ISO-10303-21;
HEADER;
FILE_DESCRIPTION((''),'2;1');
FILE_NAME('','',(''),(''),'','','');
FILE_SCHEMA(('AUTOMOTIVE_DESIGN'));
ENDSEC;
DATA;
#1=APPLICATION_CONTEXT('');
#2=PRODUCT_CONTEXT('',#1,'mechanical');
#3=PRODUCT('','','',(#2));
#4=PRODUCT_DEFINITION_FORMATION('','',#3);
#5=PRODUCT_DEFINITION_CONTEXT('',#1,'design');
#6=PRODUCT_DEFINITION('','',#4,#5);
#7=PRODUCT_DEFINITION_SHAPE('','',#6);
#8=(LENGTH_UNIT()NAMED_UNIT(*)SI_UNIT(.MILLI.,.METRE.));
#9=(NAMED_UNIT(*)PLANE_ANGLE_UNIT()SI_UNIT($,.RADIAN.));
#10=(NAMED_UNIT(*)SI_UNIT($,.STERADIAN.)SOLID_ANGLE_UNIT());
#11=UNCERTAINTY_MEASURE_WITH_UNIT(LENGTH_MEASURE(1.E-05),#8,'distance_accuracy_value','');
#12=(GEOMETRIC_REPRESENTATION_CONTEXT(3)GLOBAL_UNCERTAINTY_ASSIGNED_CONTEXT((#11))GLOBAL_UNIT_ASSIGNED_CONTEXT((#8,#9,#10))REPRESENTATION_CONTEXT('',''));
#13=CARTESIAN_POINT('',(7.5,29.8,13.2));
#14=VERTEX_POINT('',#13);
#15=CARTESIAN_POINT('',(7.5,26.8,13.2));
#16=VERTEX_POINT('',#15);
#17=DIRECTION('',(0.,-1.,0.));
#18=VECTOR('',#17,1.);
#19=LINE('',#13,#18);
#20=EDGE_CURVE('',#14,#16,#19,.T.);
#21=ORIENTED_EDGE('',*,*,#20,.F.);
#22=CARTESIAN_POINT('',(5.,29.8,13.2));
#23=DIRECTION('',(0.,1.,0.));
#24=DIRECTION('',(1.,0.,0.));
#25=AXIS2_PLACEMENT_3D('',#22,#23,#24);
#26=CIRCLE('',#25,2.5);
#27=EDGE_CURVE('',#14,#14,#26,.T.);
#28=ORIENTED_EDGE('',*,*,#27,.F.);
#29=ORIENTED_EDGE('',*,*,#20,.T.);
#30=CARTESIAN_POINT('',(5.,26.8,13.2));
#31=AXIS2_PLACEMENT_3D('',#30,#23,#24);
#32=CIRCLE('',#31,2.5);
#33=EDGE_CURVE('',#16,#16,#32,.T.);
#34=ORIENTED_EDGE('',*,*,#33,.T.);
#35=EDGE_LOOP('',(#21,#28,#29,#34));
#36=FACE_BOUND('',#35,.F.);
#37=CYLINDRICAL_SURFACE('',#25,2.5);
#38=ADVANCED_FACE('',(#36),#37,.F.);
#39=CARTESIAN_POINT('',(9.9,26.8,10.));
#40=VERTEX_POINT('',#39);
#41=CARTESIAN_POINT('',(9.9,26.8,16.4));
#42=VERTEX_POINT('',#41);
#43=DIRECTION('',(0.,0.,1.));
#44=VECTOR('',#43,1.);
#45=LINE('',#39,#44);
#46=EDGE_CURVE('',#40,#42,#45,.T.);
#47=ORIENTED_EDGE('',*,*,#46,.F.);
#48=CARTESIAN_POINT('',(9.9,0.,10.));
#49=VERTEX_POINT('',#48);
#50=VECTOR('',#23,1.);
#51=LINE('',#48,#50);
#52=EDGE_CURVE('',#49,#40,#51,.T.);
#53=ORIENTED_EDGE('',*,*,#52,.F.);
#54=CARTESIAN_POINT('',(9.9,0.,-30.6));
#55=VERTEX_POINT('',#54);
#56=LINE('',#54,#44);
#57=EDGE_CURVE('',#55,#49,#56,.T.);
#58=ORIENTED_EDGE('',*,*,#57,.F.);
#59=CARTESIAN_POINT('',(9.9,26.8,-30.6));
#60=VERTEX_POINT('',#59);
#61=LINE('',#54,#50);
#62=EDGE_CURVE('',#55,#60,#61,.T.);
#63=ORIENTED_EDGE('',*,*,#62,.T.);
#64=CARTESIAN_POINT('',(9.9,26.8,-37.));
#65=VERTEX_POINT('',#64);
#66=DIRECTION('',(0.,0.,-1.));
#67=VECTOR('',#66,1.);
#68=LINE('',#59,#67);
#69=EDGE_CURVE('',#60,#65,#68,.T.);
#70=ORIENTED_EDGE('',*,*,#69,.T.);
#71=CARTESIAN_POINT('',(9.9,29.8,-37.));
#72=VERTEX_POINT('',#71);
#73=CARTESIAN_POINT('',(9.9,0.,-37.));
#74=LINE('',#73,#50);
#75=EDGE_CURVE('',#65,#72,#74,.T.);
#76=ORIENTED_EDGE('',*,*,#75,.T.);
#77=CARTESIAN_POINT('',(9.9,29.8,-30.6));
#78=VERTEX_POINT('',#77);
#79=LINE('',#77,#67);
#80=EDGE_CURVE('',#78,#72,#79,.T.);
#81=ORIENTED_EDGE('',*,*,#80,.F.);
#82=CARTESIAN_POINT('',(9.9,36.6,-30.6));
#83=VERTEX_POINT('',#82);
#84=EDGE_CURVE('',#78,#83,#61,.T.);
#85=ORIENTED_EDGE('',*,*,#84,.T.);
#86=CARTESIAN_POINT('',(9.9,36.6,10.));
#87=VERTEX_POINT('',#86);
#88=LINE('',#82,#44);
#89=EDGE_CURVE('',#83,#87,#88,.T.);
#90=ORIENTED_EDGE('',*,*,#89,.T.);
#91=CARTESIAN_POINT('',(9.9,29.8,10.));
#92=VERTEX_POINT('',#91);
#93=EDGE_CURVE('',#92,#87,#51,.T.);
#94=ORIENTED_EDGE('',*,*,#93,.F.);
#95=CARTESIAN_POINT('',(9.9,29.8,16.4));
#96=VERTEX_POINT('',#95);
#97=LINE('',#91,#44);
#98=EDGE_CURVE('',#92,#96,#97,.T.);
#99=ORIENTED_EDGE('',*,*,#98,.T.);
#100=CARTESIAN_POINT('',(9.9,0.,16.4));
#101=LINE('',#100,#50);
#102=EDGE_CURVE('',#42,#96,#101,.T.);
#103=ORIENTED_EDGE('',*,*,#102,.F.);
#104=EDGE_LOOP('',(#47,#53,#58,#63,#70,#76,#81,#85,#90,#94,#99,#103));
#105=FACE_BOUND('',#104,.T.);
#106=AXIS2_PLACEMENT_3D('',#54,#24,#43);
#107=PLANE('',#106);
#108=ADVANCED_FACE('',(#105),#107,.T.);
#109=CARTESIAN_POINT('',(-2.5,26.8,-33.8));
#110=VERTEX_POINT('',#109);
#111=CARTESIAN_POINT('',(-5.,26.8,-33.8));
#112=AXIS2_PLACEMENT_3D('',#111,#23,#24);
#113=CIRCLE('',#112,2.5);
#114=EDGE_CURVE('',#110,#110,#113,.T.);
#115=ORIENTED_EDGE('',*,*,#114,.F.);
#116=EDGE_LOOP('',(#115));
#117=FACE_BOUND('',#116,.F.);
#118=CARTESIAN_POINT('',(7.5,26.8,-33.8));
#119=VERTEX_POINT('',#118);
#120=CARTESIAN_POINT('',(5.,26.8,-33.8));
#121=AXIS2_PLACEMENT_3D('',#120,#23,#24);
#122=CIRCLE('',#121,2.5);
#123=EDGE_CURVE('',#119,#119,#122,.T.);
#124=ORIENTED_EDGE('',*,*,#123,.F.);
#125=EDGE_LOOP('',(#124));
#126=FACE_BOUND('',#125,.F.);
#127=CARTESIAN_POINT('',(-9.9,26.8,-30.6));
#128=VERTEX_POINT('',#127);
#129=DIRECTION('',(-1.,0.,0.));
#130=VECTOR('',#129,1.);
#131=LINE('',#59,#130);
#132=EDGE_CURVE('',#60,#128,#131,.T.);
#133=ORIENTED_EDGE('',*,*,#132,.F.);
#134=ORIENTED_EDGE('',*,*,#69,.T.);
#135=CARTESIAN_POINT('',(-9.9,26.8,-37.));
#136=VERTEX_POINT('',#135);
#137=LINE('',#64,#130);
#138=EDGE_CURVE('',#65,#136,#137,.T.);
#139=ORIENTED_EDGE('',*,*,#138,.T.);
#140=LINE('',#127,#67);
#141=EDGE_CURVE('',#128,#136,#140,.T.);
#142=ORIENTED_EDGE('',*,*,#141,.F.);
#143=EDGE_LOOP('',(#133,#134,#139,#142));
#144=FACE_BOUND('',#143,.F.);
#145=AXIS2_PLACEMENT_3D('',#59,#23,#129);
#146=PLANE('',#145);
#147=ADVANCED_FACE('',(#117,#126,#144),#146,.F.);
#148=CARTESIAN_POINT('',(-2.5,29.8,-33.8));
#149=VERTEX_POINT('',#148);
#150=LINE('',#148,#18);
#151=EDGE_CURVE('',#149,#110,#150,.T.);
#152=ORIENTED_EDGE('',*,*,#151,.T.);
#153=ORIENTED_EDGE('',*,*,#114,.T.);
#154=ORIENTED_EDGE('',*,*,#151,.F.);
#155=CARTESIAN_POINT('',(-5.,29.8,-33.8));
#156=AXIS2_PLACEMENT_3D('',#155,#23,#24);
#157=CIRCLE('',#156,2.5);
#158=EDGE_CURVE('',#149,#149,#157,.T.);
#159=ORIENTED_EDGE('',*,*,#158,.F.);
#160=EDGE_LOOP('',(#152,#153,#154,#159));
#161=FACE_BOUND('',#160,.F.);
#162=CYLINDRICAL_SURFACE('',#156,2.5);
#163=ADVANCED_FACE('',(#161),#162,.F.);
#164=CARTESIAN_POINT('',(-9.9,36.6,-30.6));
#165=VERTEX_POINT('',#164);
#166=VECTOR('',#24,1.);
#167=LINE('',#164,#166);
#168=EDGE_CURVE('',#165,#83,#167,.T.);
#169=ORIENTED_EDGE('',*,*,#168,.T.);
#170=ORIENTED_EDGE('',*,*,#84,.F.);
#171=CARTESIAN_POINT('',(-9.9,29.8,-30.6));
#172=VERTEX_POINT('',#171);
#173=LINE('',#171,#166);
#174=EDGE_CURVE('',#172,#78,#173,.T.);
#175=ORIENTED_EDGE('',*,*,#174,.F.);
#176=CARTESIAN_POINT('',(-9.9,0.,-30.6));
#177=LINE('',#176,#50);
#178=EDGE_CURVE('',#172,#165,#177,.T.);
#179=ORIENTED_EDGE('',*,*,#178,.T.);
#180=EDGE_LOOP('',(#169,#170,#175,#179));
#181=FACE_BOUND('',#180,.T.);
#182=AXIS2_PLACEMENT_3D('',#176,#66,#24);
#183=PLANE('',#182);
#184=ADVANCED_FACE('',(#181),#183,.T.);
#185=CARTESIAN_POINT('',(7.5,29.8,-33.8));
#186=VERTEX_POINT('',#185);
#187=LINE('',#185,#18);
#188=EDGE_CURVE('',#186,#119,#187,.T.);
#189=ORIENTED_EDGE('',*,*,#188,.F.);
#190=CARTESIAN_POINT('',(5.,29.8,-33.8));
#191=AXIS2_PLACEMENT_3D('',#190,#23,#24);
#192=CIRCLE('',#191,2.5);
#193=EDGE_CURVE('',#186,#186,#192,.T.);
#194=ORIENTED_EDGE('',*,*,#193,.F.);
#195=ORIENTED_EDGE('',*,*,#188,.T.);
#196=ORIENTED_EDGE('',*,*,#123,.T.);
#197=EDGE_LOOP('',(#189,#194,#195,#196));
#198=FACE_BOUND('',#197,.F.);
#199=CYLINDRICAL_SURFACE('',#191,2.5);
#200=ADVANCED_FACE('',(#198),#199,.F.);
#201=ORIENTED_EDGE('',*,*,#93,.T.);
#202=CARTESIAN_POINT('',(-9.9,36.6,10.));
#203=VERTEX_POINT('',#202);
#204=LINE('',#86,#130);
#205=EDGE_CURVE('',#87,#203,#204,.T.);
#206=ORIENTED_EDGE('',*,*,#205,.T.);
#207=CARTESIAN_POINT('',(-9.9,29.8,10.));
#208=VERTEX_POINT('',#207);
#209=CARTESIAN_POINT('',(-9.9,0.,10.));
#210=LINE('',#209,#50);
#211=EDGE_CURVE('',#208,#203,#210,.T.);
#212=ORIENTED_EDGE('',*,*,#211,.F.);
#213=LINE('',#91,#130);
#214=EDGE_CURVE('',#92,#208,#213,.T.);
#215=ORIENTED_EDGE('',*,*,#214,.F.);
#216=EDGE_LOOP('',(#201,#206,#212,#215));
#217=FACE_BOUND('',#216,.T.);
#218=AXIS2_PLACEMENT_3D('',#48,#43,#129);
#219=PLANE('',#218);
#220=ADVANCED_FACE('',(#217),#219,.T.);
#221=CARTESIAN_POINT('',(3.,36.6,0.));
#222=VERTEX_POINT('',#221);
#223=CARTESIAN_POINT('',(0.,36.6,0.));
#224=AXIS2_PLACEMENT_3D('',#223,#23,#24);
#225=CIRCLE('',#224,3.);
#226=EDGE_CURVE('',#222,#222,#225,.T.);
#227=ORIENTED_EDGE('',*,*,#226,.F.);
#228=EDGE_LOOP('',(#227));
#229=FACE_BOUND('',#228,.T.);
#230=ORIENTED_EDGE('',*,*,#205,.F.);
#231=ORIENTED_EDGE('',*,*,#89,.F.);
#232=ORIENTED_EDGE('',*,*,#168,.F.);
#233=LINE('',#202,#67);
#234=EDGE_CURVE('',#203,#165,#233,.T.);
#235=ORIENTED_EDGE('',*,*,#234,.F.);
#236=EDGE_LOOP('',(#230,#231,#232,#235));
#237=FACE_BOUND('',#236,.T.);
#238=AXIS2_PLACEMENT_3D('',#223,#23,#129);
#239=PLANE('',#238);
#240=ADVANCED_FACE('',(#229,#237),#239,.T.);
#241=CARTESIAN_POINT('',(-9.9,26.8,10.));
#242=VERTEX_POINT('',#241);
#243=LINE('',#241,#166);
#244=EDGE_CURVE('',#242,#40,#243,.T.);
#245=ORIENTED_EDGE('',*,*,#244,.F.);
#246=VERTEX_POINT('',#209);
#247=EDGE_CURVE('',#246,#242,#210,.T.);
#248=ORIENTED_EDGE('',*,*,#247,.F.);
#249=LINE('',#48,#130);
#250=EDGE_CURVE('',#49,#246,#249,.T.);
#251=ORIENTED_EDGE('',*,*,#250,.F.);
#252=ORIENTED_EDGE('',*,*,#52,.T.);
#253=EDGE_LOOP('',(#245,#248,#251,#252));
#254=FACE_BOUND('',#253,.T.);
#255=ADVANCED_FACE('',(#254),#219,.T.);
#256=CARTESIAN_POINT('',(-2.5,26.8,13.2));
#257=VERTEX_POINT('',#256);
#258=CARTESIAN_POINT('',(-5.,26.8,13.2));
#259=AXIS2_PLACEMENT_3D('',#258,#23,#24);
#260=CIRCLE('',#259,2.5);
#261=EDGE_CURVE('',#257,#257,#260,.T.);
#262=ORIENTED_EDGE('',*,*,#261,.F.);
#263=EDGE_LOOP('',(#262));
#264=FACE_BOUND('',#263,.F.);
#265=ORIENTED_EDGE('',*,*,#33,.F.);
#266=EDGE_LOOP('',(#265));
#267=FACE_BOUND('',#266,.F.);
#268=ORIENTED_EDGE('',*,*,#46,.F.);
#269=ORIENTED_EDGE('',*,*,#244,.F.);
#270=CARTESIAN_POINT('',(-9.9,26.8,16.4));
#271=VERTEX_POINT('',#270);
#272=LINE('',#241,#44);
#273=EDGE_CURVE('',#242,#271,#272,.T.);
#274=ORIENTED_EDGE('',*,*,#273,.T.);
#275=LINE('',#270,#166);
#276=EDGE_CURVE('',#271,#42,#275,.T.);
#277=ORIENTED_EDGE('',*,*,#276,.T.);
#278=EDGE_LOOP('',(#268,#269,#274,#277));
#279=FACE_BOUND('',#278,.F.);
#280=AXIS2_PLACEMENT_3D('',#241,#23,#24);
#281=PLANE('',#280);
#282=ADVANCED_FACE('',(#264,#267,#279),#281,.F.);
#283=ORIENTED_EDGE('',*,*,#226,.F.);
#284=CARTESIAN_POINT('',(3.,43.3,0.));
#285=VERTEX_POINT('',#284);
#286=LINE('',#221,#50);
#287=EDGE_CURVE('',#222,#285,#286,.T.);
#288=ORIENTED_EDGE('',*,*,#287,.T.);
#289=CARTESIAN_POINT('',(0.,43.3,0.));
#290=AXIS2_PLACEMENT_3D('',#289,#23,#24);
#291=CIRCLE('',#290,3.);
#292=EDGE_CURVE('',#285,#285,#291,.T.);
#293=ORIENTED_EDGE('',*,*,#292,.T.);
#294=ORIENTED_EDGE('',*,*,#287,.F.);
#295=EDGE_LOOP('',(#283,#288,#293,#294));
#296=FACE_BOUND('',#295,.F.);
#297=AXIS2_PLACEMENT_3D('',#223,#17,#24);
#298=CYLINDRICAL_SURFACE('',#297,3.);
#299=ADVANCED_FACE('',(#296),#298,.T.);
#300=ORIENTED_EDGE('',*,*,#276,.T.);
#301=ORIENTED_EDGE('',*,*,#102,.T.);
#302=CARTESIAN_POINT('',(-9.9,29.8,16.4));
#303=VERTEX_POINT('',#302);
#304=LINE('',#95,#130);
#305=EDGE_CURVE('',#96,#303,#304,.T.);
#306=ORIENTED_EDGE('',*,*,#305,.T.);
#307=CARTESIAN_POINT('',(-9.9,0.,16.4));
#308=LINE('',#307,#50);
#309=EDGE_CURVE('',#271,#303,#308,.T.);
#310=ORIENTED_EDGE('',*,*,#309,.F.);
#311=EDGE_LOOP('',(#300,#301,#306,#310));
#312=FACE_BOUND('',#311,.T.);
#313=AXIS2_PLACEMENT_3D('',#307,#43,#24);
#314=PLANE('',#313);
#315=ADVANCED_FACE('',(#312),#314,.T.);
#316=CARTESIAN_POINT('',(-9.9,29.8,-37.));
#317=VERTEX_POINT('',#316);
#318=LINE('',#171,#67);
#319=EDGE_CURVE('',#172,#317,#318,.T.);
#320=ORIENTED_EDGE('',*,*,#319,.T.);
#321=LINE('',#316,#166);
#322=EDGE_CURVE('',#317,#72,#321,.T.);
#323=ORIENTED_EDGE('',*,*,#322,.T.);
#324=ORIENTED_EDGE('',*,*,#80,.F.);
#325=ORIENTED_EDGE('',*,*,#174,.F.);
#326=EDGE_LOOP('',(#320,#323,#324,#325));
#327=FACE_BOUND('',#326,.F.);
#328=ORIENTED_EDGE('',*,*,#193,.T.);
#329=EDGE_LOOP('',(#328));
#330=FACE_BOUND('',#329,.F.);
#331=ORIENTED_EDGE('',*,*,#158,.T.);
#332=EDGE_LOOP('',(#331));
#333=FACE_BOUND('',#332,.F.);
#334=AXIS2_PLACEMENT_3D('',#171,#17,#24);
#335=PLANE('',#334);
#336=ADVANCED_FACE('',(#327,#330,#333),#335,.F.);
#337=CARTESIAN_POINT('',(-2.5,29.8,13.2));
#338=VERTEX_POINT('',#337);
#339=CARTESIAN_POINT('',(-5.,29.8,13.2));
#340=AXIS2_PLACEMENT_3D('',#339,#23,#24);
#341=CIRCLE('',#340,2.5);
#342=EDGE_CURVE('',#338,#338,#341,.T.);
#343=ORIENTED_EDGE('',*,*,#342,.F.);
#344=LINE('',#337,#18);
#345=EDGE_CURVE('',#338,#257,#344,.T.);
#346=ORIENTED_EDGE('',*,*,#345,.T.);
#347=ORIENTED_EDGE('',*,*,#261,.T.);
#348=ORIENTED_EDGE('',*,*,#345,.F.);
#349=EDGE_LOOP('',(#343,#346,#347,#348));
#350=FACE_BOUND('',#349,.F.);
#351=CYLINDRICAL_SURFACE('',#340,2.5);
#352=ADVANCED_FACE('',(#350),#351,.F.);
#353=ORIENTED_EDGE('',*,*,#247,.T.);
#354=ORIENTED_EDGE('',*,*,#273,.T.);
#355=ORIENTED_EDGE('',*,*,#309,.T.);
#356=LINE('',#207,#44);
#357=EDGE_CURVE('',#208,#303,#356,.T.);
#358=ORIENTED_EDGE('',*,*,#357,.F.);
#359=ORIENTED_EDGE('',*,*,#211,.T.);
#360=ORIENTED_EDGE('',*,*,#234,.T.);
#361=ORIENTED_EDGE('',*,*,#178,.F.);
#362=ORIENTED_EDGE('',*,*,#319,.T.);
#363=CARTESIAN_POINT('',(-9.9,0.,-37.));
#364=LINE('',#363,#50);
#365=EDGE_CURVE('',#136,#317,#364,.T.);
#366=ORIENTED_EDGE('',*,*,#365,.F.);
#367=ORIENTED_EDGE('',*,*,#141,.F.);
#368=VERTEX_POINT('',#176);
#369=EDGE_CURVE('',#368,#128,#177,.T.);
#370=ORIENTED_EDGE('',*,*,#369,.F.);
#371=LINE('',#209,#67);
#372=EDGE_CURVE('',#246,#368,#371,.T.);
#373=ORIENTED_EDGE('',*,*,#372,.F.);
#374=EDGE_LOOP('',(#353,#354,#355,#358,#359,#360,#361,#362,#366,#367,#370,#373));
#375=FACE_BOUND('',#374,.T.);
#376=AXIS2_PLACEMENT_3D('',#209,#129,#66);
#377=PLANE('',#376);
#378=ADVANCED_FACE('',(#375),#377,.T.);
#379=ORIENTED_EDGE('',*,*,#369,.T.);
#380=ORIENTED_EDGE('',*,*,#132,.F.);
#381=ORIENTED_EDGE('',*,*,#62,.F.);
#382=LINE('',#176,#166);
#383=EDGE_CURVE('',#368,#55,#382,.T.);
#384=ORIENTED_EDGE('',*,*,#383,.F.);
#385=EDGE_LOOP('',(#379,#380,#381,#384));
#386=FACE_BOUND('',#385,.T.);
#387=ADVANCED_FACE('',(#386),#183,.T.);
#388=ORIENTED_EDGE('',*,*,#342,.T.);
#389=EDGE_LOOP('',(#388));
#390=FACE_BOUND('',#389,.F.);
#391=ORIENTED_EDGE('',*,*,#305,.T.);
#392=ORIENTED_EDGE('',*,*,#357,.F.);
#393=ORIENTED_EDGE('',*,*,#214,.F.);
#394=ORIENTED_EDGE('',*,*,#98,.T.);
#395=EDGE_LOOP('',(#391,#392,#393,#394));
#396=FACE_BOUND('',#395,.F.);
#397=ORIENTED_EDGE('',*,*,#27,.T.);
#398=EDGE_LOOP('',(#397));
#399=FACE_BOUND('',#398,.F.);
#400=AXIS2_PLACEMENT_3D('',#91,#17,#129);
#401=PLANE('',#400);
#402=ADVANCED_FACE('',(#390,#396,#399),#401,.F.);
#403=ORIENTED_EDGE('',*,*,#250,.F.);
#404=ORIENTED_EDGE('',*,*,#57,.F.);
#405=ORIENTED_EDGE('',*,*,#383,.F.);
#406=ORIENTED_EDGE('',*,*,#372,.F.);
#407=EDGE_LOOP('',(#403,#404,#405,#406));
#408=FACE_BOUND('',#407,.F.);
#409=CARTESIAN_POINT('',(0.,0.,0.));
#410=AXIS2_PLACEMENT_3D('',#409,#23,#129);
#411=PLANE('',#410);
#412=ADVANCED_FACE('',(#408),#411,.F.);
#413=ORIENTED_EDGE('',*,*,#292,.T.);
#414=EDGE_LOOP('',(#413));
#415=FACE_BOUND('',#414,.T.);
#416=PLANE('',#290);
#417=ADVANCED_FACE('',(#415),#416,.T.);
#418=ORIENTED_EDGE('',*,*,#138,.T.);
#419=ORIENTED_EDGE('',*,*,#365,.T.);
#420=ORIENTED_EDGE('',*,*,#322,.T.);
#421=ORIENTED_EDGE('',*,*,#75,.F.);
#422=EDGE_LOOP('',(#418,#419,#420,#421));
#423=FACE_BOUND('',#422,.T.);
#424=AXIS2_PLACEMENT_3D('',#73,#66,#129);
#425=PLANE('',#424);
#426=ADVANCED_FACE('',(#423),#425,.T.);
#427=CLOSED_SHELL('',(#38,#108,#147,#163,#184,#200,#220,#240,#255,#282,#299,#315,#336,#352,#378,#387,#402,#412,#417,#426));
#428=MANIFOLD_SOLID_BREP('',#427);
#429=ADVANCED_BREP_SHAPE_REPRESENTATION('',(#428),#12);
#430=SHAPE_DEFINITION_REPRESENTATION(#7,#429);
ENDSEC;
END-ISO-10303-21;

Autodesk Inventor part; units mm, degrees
ref_plane "YZ Plane" through (0, 0, 0) normal (1, 0, 0) x (0, 1, 0)
ref_plane "XZ Plane" through (0, 0, 0) normal (0, 1, 0) x (-1, 0, 0)
ref_plane "XY Plane" through (0, 0, 0) normal (0, 0, 1) x (1, 0, 0)
sketch "servo_base" plane through (0, 0, 0) normal (0, 1, 0) x (-1, 0, 0)
  line L0 (-9.9, 10) -> (9.9, 10)
  line L1 (9.9, 10) -> (9.9, -30.6)
  line L2 (9.9, -30.6) -> (-9.9, -30.6)
  line L3 (-9.9, -30.6) -> (-9.9, 10)
  point P0 (0, 0)
  dimension "length" = 40.6
  dimension "width" = 19.8
  dimension "axe_dist" = 10
  dimension "d3" = 9.9
extrude "servo_body" add sketch "servo_base" along normal blind 36.6
sketch "handle1_base" plane through (-9.9, 0, 10) normal (0, 0, 1) x (1, 0, 0)
  line L0 (19.8, 0) -> (0, 0) projected
  line L1 (19.8, 0) -> (19.8, 36.6) projected
  line L2 (0, 0) -> (0, 36.6) projected
  line L3 (0, 26.8) -> (19.8, 26.8)
  line L4 (19.8, 26.8) -> (19.8, 29.8)
  line L5 (19.8, 29.8) -> (0, 29.8)
  line L6 (0, 29.8) -> (0, 26.8)
  point P0 (9.9, 0)
  dimension "handle_height" = 26.8
  dimension "handle_thickness" = 3
extrude "handle1" add sketch "handle1_base" along normal blind 6.4 contours L3 L2 L5 L1
sketch "handle2_base" plane through (9.9, 0, -30.6) normal (0, 0, -1) x (-1, 0, 0)
  line L0 (19.8, 0) -> (0, 0) projected
  line L1 (19.8, 0) -> (19.8, 36.6) projected
  line L2 (0, 0) -> (0, 36.6) projected
  line L3 (0, 26.8) -> (19.8, 26.8)
  line L4 (19.8, 26.8) -> (19.8, 29.8)
  line L5 (19.8, 29.8) -> (0, 29.8)
  line L6 (0, 29.8) -> (0, 26.8)
  point P0 (9.9, 0)
  dimension "d10" = 26.8
  dimension "d11" = 3
extrude "handle2" add sketch "handle2_base" along normal blind 6.4 contours L3 L2 L5 L1
sketch "hole1_right_base" plane through (-9.9, 29.8, 10) normal (0, 1, 0) x (1, 0, 0)
  line L0 (19.8, -6.4) -> (0, -6.4) projected
  line L1 (19.8, 0) -> (19.8, -6.4) projected
  line L2 (0, 0) -> (9.9, 0)
  line L3 (9.9, 0) -> (9.9, -6.4)
  line L4 (9.9, -6.4) -> (0, -6.4)
  line L5 (0, -6.4) -> (0, 0)
  circle A0 centre (4.9, -3.2) radius 2.5
  point P0 (9.9, 10)
  dimension "d14" = 9.9
  dimension "hole_dist" = 5
  dimension "d16" = 3.2
  dimension "hole_diameter" = 5
extrude "hole1_rigth" cut sketch "hole1_right_base" against normal up to next contours A0
sketch "hole1_left_base" plane through (-9.9, 29.8, 10) normal (0, 1, 0) x (1, 0, 0)
  line L0 (0, 0) -> (0, -6.4) projected
  line L1 (19.8, -6.4) -> (0, -6.4) projected
  line L2 (19.8, 0) -> (9.9, 0)
  line L3 (9.9, 0) -> (9.9, -6.4)
  line L4 (9.9, -6.4) -> (19.8, -6.4)
  line L5 (19.8, -6.4) -> (19.8, 0)
  circle A0 centre (14.9, -3.2) radius 2.5
  point P0 (9.9, 10)
  dimension "d20" = 9.9
  dimension "d21" = 3.2
  dimension "d22" = 5
  dimension "d23" = 5
extrude "hole1_left" cut sketch "hole1_left_base" against normal up to next contours A0
sketch "hole2_right_base" plane through (-9.9, 29.8, -30.6) normal (0, 1, 0) x (1, 0, 0)
  line L0 (19.8, 0) -> (0, 0) projected
  line L1 (19.8, 0) -> (19.8, 6.4) projected
  line L2 (0, 6.4) -> (19.8, 6.4) projected
  line L3 (0, 6.4) -> (9.9, 6.4)
  line L4 (9.9, 6.4) -> (9.9, 0)
  line L5 (9.9, 0) -> (0, 0)
  line L6 (0, 0) -> (0, 6.4)
  circle A0 centre (4.9, 3.2) radius 2.5
  point P0 (9.9, -30.6)
  dimension "d26" = 9.9
  dimension "d27" = 5
  dimension "d28" = 3.2
  dimension "d29" = 5
extrude "hole2_right" cut sketch "hole2_right_base" against normal up to next contours A0
sketch "hole2_left_base" plane through (-9.9, 29.8, -30.6) normal (0, 1, 0) x (1, 0, 0)
  line L0 (19.8, 0) -> (0, 0) projected
  line L1 (0, 6.4) -> (19.8, 6.4) projected
  line L2 (0, 0) -> (0, 6.4) projected
  line L3 (19.8, 6.4) -> (9.9, 6.4)
  line L4 (9.9, 6.4) -> (9.9, 0)
  line L5 (9.9, 0) -> (19.8, 0)
  line L6 (19.8, 0) -> (19.8, 6.4)
  circle A0 centre (14.9, 3.2) radius 2.5
  point P0 (9.9, -30.6)
  dimension "d32" = 9.9
  dimension "d33" = 5
  dimension "d34" = 5
  dimension "d35" = 3.2
extrude "hole2_left" cut sketch "hole2_left_base" against normal up to next contours A0
sketch "axe_base" plane through (0, 36.6, 0) normal (0, 1, 0) x (1, 0, 0)
  circle A0 centre (0, 0) radius 3
  line L0 (-9.9, -10) -> (9.9, -10) projected
  line L1 (0, 0) -> (0, -10) construction
  dimension "axe_diameter" = 6
  dimension "d41" = 10
extrude "axe" add sketch "axe_base" along normal blind 6.7
equation "\"d3\" = 0.5 * width"
equation "\"d10\" = handle_height"
equation "\"d11\" = handle_thickness"
equation "\"d12\" = handle_length"
equation "\"d14\" = 0.5 * width"
equation "\"d16\" = 0.5 * handle_length"
equation "\"d18\" = handle_length"
equation "\"d20\" = 0.5 * width"
equation "\"d21\" = 0.5 * handle_length"
equation "\"d22\" = hole_dist"
equation "\"d23\" = hole_diameter"
equation "\"d24\" = handle_length"
equation "\"d26\" = 0.5 * width"
equation "\"d27\" = hole_dist"
equation "\"d28\" = 0.5 * handle_length"
equation "\"d29\" = hole_diameter"
equation "\"d30\" = handle_length"
equation "\"d32\" = 0.5 * width"
equation "\"d33\" = hole_diameter"
equation "\"d34\" = hole_dist"
equation "\"d35\" = 0.5 * handle_length"
equation "\"d36\" = handle_length"
equation "\"handle_length\" = 6.4"
properties part number "servo"
